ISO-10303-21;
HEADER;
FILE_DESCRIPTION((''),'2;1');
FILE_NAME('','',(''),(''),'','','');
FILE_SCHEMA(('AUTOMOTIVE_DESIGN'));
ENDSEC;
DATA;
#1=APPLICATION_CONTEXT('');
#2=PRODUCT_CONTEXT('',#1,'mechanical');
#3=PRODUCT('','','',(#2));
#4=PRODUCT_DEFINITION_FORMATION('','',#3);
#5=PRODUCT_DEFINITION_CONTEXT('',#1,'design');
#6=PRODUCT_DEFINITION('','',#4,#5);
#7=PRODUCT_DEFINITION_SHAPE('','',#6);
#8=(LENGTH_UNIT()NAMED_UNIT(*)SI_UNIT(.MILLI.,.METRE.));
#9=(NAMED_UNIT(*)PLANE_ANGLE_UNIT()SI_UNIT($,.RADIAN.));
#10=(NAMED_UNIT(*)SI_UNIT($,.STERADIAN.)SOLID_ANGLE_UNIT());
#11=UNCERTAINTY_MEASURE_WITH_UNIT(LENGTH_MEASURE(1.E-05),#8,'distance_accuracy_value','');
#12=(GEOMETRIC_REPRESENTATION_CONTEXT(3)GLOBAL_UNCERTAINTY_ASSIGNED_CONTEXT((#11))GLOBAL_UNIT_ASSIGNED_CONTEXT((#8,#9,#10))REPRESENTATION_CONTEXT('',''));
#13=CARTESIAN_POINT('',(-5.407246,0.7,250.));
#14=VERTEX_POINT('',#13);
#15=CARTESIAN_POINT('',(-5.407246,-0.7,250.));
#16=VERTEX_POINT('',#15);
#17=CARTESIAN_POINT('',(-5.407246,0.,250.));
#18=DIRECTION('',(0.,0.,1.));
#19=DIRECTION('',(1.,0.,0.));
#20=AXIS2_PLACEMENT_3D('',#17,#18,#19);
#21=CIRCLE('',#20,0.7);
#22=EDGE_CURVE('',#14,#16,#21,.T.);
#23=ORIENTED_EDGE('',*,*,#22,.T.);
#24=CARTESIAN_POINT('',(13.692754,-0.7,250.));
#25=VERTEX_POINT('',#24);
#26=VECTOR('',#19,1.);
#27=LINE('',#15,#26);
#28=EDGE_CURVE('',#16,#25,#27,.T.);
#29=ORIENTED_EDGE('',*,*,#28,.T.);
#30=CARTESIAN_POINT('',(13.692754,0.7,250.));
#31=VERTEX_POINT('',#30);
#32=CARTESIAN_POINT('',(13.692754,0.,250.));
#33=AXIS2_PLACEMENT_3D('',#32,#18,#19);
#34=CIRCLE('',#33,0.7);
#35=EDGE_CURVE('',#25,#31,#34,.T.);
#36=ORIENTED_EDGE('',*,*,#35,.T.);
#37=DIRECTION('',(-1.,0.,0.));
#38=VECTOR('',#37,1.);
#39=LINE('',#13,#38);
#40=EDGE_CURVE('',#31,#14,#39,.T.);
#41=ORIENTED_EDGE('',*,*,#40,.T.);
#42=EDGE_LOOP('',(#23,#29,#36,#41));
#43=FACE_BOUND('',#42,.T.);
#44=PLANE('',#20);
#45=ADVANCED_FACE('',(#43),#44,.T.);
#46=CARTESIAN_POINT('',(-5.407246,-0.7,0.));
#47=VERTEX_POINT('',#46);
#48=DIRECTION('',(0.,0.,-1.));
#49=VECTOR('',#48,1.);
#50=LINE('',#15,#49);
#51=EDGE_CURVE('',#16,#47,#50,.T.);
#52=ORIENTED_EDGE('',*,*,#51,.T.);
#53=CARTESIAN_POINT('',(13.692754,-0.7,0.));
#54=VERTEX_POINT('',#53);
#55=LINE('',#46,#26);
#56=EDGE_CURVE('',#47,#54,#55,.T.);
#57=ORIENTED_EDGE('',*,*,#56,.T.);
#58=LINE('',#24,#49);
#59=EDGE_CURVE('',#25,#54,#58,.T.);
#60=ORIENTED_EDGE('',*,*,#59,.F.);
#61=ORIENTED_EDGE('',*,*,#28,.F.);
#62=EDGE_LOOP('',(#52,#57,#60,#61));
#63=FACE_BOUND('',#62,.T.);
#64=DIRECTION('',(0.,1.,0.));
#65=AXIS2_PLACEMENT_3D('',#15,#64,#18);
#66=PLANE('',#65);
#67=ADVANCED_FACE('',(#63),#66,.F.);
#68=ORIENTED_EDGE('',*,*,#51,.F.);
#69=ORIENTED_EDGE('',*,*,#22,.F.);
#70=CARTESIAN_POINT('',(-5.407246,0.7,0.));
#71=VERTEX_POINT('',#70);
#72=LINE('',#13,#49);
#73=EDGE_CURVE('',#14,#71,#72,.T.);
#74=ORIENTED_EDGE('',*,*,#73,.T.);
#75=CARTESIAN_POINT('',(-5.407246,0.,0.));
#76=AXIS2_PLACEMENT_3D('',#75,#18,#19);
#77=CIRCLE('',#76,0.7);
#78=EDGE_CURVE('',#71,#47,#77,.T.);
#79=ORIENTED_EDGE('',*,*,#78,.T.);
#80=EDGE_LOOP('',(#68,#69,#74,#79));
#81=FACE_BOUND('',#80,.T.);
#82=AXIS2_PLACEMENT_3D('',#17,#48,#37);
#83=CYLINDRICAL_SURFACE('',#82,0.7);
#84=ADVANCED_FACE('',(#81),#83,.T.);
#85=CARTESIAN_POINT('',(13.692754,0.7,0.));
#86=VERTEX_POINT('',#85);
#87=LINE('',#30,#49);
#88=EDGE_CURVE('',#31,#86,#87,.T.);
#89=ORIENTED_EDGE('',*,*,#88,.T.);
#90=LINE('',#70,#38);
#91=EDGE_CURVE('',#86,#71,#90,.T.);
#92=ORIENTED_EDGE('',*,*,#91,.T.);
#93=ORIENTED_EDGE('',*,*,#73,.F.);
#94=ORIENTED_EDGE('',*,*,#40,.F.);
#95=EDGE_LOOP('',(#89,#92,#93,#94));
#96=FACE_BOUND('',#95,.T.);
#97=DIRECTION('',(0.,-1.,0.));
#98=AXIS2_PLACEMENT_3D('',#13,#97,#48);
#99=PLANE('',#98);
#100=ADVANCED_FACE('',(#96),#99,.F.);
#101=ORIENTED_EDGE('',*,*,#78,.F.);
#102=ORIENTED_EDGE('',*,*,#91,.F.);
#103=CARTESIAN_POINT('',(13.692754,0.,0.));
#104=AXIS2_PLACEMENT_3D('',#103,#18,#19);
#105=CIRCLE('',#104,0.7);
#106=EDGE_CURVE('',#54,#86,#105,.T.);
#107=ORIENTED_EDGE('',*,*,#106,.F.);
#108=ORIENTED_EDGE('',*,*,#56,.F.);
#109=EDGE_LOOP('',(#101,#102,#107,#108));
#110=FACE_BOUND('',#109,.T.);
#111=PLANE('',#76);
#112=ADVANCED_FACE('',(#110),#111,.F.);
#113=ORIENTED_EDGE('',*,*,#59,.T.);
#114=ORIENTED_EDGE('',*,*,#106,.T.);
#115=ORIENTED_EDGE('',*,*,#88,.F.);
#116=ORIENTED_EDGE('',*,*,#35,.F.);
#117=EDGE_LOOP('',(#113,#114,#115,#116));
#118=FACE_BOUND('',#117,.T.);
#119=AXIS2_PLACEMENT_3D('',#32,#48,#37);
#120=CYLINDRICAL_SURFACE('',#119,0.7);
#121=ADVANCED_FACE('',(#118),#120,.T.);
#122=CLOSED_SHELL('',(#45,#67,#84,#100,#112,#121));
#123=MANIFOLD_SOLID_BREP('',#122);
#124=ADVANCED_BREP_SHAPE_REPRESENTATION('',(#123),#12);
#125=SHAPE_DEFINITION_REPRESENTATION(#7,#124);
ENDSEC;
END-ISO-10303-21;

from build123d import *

# Parameters (mm, degrees)
BOSS_EXTRUDE1_DEPTH = 250


with BuildPart() as part:
    # Sketch1 → Boss-Extrude1 (new body)
    with BuildSketch(Plane.XY):
        with BuildLine():
            Line((-5.407246377, 0.7), (13.692753623, 0.7))
            ThreePointArc((13.692753623, 0.7), (14.392753623, 0), (13.692753623, -0.7))
            Line((13.692753623, -0.7), (-5.407246377, -0.7))
            ThreePointArc((-5.407246377, -0.7), (-6.107246377, 0), (-5.407246377, 0.7))
        make_face()
    extrude(amount=BOSS_EXTRUDE1_DEPTH)


solid = part.part
